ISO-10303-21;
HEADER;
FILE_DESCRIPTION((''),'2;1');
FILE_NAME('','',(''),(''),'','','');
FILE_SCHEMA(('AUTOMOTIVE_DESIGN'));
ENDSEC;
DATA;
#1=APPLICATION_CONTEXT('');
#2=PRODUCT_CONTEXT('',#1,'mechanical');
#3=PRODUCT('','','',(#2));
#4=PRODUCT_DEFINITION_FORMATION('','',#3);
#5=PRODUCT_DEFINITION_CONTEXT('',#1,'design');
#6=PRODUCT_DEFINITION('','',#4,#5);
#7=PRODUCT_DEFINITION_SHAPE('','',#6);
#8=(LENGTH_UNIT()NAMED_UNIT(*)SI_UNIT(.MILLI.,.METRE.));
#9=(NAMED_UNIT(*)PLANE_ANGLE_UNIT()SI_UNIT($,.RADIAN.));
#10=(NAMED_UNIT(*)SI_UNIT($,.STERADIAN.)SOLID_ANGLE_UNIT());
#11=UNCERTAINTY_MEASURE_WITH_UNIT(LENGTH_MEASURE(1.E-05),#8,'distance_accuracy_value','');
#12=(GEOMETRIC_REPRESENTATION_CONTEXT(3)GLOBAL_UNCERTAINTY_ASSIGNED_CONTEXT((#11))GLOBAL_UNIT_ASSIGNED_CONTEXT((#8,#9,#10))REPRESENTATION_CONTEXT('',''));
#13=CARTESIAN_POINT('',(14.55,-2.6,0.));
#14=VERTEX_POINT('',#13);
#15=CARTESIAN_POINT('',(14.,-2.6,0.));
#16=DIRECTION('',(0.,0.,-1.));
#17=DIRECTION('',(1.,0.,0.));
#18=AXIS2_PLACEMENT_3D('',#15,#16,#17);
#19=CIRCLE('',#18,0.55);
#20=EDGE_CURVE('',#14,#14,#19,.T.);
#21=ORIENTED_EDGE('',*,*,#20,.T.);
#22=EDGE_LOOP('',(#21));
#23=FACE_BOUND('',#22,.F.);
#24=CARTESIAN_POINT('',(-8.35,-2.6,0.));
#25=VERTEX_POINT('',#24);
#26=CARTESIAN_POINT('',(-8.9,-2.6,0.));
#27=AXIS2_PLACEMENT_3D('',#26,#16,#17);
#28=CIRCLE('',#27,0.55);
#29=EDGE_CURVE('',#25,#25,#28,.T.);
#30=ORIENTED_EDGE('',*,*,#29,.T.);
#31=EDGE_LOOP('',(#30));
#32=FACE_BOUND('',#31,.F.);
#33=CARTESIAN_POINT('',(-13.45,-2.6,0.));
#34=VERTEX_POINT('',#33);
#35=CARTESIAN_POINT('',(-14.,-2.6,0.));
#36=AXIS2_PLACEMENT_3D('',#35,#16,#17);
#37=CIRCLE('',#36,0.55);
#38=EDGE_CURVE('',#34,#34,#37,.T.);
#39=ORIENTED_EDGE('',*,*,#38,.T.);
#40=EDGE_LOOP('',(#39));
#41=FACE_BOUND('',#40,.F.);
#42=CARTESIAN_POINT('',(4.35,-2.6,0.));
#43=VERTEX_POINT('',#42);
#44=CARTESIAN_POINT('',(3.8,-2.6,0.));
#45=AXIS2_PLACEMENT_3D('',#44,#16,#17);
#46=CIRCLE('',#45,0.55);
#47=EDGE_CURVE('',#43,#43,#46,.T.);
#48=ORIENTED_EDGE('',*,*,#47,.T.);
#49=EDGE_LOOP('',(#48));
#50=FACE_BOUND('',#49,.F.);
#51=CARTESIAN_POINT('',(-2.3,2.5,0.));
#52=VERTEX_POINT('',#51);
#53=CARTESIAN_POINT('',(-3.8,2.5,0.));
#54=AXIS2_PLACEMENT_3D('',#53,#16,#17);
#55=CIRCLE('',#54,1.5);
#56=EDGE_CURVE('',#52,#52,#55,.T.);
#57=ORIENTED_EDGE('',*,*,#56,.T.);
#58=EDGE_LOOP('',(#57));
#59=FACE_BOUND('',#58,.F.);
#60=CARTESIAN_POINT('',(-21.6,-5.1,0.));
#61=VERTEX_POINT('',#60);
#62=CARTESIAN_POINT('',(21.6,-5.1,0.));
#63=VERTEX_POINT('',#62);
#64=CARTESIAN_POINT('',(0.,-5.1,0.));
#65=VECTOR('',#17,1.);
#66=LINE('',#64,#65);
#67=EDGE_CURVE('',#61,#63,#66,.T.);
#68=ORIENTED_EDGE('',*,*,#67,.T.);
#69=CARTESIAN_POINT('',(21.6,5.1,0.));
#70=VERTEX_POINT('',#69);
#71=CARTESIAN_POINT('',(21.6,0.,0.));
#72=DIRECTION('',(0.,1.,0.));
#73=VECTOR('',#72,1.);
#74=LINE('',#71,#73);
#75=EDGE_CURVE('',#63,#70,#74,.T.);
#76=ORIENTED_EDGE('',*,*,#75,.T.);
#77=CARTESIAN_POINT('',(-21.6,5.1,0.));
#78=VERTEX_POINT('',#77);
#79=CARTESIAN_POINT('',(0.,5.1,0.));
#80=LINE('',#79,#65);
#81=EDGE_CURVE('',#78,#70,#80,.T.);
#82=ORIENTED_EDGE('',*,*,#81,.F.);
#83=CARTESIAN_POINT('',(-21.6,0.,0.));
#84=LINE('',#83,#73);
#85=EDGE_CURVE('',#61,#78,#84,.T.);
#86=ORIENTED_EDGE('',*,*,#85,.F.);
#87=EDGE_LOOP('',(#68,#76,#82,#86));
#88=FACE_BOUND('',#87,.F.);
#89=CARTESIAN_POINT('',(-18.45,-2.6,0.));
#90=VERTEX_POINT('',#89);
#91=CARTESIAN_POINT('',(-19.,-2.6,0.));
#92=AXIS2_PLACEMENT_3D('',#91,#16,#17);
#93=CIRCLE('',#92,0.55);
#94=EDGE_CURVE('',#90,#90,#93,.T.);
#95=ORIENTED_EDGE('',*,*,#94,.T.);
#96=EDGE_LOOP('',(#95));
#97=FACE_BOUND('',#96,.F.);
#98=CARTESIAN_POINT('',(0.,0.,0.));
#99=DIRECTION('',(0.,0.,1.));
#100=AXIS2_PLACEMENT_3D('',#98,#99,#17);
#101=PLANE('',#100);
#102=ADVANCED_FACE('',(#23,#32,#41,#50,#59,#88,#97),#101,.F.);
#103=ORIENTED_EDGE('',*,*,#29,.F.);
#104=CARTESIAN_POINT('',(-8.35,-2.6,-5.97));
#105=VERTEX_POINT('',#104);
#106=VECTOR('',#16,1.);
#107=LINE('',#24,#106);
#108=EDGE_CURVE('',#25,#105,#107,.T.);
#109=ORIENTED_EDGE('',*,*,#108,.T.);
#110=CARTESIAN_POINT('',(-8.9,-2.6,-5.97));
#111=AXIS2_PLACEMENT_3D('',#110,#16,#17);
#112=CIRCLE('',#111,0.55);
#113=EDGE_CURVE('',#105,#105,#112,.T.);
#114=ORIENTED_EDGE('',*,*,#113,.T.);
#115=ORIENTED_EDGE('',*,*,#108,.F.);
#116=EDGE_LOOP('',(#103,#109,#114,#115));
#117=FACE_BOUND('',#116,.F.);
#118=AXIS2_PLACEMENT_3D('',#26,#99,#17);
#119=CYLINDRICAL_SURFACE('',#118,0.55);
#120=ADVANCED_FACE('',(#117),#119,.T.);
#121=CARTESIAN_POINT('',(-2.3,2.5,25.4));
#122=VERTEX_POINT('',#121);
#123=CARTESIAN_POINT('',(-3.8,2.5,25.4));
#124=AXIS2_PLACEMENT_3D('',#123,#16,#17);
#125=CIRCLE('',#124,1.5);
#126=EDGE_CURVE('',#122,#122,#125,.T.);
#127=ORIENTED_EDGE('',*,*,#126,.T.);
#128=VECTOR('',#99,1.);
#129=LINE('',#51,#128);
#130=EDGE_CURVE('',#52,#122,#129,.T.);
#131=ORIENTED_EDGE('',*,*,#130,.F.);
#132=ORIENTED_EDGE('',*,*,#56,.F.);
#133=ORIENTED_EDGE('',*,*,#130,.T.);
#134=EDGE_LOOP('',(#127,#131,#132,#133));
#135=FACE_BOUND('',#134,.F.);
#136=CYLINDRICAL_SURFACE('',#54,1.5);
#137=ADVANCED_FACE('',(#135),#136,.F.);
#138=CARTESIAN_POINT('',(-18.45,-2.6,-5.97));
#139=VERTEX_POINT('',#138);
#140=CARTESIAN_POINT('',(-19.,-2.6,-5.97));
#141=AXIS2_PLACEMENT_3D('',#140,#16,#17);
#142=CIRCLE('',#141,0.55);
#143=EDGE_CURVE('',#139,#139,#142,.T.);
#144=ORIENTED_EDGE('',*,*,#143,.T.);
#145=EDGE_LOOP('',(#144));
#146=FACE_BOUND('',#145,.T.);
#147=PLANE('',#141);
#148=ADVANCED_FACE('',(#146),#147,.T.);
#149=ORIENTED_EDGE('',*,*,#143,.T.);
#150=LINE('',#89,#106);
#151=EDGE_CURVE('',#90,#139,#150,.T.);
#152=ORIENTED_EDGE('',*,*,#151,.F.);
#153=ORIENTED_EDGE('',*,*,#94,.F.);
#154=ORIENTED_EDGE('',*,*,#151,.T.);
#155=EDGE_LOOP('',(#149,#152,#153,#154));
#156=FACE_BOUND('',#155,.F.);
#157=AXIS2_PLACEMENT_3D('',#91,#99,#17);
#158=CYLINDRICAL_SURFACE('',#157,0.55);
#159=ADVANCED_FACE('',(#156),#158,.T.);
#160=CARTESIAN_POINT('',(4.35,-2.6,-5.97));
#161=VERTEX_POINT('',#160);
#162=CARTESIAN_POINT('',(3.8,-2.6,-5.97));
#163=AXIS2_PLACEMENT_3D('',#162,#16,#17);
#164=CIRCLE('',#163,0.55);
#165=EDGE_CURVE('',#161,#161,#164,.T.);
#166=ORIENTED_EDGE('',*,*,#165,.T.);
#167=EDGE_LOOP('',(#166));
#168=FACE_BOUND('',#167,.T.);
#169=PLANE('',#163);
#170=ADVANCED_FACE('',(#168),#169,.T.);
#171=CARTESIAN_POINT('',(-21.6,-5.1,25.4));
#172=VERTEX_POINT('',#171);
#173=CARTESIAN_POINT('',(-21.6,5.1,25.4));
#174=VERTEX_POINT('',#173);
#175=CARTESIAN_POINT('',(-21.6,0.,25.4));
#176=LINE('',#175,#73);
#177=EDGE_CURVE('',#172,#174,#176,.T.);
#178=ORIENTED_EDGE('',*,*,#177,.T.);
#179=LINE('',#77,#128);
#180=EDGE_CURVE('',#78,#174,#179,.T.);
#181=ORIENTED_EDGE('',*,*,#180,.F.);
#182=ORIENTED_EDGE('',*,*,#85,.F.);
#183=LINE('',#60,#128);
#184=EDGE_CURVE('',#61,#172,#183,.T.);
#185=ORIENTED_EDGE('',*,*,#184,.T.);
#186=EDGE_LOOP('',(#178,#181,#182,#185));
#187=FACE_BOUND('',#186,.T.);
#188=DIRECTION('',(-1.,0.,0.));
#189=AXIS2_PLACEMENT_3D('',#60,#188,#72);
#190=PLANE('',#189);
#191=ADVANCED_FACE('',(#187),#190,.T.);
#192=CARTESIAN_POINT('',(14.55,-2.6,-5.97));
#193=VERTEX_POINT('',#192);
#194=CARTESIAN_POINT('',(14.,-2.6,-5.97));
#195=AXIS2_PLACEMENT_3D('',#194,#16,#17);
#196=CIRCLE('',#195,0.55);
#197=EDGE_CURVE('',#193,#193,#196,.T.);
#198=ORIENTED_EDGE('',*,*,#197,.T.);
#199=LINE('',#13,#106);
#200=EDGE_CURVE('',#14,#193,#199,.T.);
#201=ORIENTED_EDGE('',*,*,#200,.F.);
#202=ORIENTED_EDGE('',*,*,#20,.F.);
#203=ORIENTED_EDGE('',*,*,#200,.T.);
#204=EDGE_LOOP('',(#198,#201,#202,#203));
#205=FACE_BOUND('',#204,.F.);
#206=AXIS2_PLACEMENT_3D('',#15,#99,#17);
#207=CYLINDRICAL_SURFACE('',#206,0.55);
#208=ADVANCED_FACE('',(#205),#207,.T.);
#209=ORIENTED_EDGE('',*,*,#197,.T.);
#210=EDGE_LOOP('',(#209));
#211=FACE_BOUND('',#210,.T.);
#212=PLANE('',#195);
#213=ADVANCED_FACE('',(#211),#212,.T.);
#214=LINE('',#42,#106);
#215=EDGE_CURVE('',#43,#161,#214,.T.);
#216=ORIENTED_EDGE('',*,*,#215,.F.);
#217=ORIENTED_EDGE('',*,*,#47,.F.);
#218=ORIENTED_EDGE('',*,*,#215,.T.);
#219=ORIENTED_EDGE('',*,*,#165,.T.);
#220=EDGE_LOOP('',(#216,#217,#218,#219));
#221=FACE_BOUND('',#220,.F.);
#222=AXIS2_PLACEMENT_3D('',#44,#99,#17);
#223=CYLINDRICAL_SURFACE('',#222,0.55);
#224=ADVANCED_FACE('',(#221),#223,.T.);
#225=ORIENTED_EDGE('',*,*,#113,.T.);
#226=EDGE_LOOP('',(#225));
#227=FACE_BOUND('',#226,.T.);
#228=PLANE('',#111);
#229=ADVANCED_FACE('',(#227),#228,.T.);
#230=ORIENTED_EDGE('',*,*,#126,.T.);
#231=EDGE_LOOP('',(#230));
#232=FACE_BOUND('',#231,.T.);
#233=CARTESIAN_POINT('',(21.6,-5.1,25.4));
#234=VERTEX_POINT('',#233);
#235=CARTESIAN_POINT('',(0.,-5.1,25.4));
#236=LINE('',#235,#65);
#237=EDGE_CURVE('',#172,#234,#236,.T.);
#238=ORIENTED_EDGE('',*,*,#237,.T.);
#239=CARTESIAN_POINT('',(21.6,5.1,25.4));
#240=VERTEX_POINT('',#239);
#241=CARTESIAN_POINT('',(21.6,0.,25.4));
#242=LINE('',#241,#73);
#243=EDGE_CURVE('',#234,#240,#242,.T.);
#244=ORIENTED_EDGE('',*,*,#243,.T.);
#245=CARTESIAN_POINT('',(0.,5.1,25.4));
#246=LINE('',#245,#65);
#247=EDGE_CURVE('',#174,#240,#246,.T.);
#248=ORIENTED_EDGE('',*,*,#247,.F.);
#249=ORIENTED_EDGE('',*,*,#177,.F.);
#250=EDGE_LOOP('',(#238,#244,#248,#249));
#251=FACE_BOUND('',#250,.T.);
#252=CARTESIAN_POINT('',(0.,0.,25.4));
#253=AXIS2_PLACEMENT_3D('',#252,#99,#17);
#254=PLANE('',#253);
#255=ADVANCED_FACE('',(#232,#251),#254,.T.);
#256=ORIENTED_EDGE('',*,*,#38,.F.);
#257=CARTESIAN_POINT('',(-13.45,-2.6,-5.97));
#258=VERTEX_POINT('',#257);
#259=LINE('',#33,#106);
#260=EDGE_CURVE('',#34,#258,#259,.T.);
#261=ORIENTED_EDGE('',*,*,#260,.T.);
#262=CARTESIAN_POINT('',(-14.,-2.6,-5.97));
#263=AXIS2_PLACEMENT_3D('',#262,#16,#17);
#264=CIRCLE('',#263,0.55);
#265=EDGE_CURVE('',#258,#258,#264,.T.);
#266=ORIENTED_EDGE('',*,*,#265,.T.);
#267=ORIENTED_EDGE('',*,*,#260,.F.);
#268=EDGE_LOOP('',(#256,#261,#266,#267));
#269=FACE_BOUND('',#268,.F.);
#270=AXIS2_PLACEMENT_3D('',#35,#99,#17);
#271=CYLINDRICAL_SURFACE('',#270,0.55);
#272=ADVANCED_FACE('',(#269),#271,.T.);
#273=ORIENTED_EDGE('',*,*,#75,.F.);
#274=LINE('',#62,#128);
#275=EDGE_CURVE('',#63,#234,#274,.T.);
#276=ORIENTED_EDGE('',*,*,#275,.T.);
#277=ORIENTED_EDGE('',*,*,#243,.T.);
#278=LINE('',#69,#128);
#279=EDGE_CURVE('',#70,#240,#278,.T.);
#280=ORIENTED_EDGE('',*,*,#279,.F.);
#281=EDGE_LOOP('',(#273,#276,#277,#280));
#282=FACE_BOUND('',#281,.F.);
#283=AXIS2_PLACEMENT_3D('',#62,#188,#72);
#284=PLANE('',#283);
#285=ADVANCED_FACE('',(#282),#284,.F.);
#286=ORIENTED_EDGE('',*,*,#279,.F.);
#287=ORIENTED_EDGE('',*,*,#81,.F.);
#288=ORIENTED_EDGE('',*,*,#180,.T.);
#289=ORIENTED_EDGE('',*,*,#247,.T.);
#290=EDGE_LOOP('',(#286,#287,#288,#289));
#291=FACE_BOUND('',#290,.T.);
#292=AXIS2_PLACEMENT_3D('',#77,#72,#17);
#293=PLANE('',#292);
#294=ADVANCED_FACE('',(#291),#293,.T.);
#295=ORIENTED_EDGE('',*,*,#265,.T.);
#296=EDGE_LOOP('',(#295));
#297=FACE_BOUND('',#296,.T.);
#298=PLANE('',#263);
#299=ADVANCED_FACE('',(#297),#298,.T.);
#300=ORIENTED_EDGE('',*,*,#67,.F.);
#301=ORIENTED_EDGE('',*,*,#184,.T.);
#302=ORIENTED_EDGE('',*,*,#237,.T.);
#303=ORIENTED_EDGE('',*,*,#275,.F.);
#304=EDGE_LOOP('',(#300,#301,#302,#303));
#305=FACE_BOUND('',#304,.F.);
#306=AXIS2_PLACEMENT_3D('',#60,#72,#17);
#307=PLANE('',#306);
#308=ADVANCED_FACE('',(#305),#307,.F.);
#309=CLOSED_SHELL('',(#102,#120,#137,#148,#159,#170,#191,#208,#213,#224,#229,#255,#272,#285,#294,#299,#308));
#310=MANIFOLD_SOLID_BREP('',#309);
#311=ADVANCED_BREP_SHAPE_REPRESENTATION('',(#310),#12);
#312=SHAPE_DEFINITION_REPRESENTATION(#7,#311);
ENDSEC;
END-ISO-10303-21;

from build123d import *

# Parameters (mm, degrees)
SKETCH_W     = 43.2
SKETCH_H     = 10.2
PAD_DEPTH    = 25.4
SKETCH001_R  = 0.55
PAD001_DEPTH = 5.97
SKETCH002_R  = 1.5
POCKET_DEPTH = 25.401


with BuildPart() as part:
    # Sketch → Pad (new body)
    with BuildSketch(Plane.XY):
        Rectangle(SKETCH_W, SKETCH_H)
    extrude(amount=PAD_DEPTH)

    # Sketch001 (on Face5 of Pad) → Pad001 (join)
    with BuildSketch(Plane(origin=(0, 0, 0), x_dir=(1, 0, 0), z_dir=(0, 0, -1))):
        with Locations((14, 2.6)):
            Circle(SKETCH001_R)
        with Locations((3.8, 2.6)):
            Circle(SKETCH001_R)
        with Locations((-8.9, 2.6)):
            Circle(SKETCH001_R)
        with Locations((-14, 2.6)):
            Circle(SKETCH001_R)
        with Locations((-19, 2.6)):
            Circle(SKETCH001_R)
    extrude(amount=PAD001_DEPTH)

    # Sketch002 (on Face4 of Pad001) → Pocket (cut, through all)
    with BuildSketch(Plane(origin=(0, 0, 0), x_dir=(1, 0, 0), z_dir=(0, 0, -1))):
        with Locations((-3.8, -2.5)):
            Circle(SKETCH002_R)
    extrude(amount=-POCKET_DEPTH, mode=Mode.SUBTRACT)


solid = part.part
